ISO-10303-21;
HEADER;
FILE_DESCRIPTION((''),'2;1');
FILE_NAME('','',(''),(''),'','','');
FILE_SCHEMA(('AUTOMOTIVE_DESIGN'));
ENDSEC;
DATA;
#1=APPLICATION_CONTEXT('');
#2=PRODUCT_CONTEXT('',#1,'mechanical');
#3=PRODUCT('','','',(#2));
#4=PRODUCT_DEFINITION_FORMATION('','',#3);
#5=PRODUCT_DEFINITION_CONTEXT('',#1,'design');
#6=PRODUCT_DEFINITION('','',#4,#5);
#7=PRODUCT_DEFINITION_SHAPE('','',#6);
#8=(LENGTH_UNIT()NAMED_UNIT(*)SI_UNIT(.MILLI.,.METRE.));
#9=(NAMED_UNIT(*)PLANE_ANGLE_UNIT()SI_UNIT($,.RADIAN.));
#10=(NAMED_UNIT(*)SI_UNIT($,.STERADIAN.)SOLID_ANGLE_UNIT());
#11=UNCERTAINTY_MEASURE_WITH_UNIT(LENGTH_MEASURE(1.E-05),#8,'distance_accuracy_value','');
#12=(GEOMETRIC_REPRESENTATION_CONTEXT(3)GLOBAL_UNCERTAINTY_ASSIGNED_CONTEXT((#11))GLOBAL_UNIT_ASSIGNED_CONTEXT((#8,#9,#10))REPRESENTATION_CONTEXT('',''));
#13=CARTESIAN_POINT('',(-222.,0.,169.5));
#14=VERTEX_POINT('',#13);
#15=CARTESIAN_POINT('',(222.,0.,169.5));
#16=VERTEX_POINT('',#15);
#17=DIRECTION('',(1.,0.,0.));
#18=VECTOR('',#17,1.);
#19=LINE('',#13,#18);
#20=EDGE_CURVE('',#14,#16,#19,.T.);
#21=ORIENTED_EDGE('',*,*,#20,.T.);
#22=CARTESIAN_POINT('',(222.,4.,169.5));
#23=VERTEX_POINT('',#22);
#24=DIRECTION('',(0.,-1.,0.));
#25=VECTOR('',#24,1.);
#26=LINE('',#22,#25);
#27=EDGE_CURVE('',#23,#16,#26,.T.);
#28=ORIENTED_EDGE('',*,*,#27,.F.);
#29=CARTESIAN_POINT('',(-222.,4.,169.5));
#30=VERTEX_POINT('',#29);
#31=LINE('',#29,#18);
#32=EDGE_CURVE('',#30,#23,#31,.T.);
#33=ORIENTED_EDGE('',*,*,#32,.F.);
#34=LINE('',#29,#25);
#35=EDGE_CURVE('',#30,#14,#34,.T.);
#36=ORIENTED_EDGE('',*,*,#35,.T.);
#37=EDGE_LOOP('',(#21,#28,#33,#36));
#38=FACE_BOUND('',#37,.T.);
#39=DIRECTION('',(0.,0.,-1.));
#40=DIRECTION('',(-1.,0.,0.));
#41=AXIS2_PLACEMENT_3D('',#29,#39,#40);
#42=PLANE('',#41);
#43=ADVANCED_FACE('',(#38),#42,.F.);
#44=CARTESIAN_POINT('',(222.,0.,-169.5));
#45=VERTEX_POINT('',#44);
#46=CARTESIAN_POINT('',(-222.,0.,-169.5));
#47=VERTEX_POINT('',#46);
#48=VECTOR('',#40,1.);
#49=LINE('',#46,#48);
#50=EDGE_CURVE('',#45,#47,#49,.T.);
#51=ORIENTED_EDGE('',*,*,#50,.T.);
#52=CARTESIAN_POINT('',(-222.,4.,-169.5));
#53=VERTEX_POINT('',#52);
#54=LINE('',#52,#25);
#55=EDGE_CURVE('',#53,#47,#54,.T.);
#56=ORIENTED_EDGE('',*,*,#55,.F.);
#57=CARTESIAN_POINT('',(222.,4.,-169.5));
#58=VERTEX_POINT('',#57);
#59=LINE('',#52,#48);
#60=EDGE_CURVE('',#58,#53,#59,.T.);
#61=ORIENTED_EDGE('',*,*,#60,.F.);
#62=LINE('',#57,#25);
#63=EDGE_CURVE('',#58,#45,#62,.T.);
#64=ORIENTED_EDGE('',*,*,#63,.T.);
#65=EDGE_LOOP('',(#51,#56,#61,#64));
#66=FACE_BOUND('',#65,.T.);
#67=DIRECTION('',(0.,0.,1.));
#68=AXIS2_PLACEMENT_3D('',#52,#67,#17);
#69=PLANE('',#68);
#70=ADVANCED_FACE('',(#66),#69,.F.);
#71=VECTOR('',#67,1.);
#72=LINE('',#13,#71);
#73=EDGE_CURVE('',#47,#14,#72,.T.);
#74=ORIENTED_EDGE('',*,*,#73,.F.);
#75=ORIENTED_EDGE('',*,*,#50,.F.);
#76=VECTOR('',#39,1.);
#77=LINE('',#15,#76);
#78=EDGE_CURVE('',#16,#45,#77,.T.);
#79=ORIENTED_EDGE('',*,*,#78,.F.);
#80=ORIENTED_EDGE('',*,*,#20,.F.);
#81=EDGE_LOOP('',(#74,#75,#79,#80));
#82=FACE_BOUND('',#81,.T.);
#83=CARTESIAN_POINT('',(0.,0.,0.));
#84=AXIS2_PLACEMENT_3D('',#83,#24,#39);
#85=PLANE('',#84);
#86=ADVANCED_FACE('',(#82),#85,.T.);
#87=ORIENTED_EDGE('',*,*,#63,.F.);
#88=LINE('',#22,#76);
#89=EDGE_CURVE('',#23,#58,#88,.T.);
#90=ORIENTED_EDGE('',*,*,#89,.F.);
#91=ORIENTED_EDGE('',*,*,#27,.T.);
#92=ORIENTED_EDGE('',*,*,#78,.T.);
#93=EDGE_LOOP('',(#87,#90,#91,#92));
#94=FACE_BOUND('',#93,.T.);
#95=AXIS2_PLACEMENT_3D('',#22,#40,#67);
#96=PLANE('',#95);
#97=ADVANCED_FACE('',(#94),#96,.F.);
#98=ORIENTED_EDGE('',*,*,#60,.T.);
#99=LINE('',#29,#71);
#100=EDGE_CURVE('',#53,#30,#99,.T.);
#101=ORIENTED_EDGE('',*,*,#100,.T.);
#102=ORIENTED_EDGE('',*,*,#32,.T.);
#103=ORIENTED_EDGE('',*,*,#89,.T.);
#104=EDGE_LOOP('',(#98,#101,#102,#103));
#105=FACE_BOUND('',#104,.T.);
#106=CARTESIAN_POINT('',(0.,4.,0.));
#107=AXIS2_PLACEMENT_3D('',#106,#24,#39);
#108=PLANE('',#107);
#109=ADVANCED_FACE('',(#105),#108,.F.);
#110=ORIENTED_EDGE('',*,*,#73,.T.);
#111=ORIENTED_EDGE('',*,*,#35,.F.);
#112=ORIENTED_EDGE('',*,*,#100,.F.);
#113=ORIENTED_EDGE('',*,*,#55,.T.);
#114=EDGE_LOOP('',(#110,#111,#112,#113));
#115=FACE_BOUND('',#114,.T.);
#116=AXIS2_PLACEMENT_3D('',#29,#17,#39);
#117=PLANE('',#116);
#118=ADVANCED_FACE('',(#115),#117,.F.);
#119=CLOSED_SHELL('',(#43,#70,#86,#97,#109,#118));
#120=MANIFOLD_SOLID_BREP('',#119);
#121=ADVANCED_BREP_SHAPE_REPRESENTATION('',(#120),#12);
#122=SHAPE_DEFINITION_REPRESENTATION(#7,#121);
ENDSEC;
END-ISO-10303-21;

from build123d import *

# Parameters (mm, degrees)
SKETCH_1_W      = 444
SKETCH_1_H      = 339
EXTRUDE_1_DEPTH = 4


with BuildPart() as part:
    # Эскиз1 → Бобышка-Вытянуть1 (new body)
    with BuildSketch(Plane(origin=(0, 0, 0), x_dir=(1, 0, 0), z_dir=(0, 1, 0))):
        Rectangle(SKETCH_1_W, SKETCH_1_H)
    extrude(amount=EXTRUDE_1_DEPTH)


solid = part.part
